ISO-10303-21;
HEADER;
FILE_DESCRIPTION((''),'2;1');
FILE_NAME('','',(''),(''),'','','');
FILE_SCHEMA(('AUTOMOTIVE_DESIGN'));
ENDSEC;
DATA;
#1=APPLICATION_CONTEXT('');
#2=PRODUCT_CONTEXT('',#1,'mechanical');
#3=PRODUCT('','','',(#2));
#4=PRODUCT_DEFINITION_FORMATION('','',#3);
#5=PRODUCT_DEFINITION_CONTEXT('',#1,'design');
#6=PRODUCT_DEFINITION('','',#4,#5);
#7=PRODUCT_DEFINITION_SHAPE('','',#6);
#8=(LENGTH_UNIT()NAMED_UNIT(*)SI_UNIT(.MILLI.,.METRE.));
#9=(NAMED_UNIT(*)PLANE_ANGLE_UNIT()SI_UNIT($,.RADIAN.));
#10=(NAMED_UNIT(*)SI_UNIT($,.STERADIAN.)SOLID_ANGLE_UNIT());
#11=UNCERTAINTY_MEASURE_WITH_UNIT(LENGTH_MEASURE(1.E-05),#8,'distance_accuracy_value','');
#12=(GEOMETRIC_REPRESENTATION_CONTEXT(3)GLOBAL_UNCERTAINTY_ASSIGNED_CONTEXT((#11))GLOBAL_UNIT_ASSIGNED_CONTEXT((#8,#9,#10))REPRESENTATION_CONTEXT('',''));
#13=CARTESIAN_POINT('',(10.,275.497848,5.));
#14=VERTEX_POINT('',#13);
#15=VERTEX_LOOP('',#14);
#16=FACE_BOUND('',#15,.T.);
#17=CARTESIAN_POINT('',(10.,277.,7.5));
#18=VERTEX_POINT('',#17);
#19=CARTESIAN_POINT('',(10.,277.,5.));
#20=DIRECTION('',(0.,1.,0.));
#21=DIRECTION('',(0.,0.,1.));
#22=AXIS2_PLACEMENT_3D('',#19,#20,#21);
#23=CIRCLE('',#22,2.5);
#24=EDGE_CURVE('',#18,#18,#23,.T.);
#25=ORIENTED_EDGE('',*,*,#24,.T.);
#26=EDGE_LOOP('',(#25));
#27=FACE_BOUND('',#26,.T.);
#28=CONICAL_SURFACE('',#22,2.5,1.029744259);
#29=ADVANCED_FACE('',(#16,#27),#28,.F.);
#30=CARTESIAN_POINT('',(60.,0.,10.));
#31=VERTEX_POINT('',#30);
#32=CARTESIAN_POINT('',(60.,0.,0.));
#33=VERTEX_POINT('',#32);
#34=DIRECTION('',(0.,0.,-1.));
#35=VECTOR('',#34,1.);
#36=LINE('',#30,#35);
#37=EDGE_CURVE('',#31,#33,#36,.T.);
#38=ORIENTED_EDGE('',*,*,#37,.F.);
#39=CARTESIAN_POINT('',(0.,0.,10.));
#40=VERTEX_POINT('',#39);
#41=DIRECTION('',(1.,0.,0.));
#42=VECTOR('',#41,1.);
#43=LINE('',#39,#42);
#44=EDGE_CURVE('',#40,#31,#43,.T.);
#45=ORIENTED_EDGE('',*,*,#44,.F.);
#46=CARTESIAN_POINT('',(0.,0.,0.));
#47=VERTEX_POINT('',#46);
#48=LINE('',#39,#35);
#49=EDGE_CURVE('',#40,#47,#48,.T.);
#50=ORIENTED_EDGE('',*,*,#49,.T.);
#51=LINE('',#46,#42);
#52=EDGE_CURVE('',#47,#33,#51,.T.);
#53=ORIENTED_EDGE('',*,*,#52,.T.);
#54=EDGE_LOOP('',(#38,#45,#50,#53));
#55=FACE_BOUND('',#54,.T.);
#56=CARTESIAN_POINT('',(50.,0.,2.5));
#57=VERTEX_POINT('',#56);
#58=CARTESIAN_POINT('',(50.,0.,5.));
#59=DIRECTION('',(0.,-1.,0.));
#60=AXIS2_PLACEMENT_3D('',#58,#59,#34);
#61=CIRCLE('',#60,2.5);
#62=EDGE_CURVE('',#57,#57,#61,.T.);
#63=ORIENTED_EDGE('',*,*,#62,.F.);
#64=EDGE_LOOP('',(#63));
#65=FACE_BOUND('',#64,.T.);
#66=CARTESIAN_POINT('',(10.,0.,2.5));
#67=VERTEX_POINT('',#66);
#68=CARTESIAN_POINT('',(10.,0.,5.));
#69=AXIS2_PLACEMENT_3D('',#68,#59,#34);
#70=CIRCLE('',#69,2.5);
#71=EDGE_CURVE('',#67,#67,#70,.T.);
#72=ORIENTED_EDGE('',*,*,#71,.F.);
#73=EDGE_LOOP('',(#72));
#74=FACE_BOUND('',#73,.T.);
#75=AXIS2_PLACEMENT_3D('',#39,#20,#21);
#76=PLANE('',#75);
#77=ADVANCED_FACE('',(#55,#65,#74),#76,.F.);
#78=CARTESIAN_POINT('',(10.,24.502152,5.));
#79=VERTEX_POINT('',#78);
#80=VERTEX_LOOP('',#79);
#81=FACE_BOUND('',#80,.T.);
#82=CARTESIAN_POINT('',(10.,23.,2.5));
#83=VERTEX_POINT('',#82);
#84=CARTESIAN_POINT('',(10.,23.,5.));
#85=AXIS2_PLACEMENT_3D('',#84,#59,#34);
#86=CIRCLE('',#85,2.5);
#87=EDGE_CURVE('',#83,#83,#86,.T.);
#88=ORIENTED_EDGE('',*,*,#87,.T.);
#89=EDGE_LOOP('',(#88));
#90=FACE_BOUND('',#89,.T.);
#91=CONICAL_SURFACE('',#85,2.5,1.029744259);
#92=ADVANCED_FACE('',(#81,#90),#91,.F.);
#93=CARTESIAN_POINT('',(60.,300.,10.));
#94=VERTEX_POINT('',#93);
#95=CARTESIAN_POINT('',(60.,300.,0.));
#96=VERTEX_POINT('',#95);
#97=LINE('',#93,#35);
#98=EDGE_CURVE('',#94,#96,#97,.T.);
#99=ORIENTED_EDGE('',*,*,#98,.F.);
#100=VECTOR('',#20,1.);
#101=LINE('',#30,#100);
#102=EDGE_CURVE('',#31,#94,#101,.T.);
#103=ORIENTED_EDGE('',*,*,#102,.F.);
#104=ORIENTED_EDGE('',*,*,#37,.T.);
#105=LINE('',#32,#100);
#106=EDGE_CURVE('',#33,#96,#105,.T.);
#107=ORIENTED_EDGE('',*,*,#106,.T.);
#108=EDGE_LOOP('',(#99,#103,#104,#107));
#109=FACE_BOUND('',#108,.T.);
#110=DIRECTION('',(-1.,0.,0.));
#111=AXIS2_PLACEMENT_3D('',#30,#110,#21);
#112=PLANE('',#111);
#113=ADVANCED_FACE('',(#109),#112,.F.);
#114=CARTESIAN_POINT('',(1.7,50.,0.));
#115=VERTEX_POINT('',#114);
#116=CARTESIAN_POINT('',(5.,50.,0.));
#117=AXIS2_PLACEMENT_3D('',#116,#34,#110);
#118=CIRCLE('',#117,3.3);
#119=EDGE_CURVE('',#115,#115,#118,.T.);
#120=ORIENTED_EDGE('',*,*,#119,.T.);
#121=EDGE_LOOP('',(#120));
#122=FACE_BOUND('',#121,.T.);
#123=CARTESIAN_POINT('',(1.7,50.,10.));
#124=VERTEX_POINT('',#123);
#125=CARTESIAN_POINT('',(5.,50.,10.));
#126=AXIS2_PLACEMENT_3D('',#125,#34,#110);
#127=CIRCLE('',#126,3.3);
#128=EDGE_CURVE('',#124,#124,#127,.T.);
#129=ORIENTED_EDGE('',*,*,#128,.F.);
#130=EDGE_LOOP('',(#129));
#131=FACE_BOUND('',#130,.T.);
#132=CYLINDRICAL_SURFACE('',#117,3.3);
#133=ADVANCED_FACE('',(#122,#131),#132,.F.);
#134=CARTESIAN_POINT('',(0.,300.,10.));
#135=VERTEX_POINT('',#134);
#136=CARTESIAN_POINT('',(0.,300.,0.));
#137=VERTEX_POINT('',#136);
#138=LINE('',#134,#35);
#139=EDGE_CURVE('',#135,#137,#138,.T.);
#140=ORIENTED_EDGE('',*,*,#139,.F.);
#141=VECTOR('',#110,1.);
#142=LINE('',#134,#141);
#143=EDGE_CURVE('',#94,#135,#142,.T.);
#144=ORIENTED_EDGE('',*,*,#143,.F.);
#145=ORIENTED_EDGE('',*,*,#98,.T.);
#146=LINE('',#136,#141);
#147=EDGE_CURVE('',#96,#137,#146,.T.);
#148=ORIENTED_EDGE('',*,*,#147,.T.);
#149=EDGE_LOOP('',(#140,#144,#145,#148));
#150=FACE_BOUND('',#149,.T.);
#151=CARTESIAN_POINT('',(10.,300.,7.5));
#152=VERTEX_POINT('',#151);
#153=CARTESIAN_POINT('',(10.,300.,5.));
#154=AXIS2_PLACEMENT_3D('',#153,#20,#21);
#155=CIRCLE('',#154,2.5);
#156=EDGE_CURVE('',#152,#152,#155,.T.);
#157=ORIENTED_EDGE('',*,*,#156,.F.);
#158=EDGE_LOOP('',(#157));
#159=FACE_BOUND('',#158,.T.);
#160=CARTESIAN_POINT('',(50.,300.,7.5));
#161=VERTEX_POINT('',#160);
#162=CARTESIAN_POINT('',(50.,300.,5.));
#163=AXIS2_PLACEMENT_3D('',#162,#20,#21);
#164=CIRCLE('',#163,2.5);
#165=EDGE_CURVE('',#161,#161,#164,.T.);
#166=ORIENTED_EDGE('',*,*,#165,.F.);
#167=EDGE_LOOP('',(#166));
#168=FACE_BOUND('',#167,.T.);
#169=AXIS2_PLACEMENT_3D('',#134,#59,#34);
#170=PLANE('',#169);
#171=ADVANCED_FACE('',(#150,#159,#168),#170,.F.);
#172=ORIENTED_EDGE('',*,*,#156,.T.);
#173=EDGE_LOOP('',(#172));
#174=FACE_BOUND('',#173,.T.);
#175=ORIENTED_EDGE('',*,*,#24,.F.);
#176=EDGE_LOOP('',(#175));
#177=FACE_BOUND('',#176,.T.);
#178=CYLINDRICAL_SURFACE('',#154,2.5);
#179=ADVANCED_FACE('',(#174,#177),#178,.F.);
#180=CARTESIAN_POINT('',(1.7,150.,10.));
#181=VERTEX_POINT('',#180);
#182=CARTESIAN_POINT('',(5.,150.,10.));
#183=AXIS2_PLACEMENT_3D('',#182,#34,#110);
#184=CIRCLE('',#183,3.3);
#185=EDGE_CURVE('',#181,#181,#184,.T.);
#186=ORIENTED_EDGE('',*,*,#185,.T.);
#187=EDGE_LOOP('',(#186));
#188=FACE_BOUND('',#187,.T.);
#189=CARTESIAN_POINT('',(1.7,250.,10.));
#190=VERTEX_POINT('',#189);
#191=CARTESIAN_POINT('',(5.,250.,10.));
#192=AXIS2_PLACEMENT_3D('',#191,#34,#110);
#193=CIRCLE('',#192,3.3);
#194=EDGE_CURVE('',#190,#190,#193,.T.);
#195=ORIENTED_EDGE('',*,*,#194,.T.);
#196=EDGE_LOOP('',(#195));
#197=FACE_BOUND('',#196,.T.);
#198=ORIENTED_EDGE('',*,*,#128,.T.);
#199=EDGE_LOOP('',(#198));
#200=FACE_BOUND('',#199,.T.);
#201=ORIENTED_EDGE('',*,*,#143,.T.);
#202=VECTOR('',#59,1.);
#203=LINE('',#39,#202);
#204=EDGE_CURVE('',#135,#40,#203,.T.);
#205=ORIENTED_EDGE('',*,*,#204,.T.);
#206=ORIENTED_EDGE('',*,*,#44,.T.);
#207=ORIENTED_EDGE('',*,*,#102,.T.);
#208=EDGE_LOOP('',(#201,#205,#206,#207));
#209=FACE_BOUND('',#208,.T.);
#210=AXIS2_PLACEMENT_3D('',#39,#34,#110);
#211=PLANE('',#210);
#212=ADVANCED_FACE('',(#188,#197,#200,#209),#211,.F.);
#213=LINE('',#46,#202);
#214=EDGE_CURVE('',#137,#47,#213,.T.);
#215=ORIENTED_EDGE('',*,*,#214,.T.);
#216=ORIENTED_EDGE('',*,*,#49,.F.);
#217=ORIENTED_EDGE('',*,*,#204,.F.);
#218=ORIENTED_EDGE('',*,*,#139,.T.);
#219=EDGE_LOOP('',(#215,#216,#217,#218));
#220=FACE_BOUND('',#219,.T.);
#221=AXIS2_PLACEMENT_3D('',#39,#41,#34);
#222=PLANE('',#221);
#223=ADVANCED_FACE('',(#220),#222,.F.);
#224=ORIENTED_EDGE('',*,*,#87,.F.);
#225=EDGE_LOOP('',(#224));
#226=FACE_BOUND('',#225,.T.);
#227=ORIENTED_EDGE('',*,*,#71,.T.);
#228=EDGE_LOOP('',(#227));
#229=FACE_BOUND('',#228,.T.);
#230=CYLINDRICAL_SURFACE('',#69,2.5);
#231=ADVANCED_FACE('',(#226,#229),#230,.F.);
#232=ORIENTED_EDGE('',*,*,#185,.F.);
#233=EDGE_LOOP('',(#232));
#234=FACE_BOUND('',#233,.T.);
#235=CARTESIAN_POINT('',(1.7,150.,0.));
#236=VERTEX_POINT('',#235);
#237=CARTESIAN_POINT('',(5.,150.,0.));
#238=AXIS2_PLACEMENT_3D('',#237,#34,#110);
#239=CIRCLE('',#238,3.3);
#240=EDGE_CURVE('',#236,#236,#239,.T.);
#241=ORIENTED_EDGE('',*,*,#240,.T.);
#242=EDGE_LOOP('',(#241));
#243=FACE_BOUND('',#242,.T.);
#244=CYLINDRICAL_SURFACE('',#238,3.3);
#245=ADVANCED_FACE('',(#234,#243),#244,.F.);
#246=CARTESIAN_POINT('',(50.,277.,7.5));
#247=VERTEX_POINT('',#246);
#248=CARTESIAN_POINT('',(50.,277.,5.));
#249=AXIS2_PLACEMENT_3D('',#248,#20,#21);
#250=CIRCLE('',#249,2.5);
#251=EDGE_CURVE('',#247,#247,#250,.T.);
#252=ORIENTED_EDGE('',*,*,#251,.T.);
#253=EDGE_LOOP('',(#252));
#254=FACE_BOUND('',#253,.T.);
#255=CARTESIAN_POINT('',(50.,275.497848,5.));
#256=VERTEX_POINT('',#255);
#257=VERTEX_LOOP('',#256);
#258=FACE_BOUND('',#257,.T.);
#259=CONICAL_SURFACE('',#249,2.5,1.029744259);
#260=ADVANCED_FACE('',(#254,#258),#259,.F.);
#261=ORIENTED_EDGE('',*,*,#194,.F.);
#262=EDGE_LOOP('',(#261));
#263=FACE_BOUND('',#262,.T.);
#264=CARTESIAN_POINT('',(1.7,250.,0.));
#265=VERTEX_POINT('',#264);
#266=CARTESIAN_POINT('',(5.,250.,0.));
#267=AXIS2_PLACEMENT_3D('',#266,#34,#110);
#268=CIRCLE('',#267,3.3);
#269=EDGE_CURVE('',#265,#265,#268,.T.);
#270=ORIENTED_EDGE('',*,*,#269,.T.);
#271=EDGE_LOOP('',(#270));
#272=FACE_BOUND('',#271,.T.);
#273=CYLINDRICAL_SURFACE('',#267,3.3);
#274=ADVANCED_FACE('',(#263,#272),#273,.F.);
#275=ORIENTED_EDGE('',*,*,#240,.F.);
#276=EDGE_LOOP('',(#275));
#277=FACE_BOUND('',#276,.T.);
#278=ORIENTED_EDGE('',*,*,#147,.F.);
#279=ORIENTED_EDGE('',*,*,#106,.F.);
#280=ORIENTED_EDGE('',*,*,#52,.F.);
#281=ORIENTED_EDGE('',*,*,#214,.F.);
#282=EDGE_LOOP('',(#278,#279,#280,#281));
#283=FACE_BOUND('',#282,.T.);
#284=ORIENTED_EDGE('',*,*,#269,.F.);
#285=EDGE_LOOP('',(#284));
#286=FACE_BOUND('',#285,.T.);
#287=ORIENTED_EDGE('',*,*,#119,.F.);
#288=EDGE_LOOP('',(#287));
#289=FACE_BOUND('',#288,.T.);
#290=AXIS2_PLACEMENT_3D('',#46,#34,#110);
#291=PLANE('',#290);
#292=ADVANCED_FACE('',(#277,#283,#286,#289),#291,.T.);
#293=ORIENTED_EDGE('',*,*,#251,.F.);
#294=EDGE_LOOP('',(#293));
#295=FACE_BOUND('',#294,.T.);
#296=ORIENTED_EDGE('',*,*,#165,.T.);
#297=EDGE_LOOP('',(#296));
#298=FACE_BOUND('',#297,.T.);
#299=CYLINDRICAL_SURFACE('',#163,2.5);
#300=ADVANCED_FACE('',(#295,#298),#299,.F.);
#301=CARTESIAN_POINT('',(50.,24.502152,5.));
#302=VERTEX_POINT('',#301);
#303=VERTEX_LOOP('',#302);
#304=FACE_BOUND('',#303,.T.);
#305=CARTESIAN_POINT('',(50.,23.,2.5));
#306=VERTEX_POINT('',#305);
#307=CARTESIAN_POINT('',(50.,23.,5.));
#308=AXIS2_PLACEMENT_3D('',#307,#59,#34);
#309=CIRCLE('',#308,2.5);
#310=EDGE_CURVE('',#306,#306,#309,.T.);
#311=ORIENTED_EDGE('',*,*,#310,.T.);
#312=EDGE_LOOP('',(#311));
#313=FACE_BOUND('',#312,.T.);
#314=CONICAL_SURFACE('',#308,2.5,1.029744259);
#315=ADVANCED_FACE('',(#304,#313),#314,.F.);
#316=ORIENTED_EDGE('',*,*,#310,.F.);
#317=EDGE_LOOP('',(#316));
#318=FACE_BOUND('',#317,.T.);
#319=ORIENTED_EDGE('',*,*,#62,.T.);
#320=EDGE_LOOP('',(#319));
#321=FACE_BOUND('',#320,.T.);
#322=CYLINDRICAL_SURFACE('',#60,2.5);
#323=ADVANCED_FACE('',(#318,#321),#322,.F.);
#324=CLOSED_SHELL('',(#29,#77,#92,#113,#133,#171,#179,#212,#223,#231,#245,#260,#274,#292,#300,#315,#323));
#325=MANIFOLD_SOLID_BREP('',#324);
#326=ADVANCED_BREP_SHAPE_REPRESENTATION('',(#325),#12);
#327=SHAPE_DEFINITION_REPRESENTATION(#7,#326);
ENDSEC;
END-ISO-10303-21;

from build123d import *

# Parameters (mm, degrees)
SKETCH1_W                  = 60
SKETCH1_H                  = 300
BOSS_EXTRUDE1_DEPTH        = 10
M6_TAPPED_HOLE1_D          = 5
M6_TAPPED_HOLE1_DEPTH      = 23
M6_TAPPED_HOLE1_TIP        = 1.502151548
M6_TAPPED_HOLE2_D          = 5
M6_TAPPED_HOLE2_DEPTH      = 23
M6_TAPPED_HOLE2_TIP        = 1.502151548
F_6_6_6_6_DIAMETER_SLOT1_D = 6.6


with BuildPart() as part:
    # Sketch1 → Boss-Extrude1 (new body)
    with BuildSketch(Plane.XY):
        with Locations((30, 150)):
            Rectangle(SKETCH1_W, SKETCH1_H)
    extrude(amount=BOSS_EXTRUDE1_DEPTH)

    # M6 Tapped Hole1
    with Locations(Plane(origin=(0, 0, 0), x_dir=(-1, 0, 0), z_dir=(0, -1, 0))):
        with Locations((-50, -5), (-10, -5)):
            Hole(M6_TAPPED_HOLE1_D / 2, depth=M6_TAPPED_HOLE1_DEPTH)
            with Locations((0, 0, -(M6_TAPPED_HOLE1_DEPTH + M6_TAPPED_HOLE1_TIP / 2))):  # 118° drill point
                Cone(0, M6_TAPPED_HOLE1_D / 2, M6_TAPPED_HOLE1_TIP, mode=Mode.SUBTRACT)

    # M6 Tapped Hole2
    with Locations(Plane(origin=(0, 300, 0), x_dir=(1, 0, 0), z_dir=(0, 1, 0))):
        with Locations((10, -5), (50, -5)):
            Hole(M6_TAPPED_HOLE2_D / 2, depth=M6_TAPPED_HOLE2_DEPTH)
            with Locations((0, 0, -(M6_TAPPED_HOLE2_DEPTH + M6_TAPPED_HOLE2_TIP / 2))):  # 118° drill point
                Cone(0, M6_TAPPED_HOLE2_D / 2, M6_TAPPED_HOLE2_TIP, mode=Mode.SUBTRACT)

    # Ø6.6 (6.6) Diameter Slot1 (through all)
    with Locations(Plane(origin=(0, 0, 0), x_dir=(-1, 0, 0), z_dir=(0, 0, -1))):
        with Locations((-5, 50), (-5, 150), (-5, 250)):
            Hole(F_6_6_6_6_DIAMETER_SLOT1_D / 2)


solid = part.part
